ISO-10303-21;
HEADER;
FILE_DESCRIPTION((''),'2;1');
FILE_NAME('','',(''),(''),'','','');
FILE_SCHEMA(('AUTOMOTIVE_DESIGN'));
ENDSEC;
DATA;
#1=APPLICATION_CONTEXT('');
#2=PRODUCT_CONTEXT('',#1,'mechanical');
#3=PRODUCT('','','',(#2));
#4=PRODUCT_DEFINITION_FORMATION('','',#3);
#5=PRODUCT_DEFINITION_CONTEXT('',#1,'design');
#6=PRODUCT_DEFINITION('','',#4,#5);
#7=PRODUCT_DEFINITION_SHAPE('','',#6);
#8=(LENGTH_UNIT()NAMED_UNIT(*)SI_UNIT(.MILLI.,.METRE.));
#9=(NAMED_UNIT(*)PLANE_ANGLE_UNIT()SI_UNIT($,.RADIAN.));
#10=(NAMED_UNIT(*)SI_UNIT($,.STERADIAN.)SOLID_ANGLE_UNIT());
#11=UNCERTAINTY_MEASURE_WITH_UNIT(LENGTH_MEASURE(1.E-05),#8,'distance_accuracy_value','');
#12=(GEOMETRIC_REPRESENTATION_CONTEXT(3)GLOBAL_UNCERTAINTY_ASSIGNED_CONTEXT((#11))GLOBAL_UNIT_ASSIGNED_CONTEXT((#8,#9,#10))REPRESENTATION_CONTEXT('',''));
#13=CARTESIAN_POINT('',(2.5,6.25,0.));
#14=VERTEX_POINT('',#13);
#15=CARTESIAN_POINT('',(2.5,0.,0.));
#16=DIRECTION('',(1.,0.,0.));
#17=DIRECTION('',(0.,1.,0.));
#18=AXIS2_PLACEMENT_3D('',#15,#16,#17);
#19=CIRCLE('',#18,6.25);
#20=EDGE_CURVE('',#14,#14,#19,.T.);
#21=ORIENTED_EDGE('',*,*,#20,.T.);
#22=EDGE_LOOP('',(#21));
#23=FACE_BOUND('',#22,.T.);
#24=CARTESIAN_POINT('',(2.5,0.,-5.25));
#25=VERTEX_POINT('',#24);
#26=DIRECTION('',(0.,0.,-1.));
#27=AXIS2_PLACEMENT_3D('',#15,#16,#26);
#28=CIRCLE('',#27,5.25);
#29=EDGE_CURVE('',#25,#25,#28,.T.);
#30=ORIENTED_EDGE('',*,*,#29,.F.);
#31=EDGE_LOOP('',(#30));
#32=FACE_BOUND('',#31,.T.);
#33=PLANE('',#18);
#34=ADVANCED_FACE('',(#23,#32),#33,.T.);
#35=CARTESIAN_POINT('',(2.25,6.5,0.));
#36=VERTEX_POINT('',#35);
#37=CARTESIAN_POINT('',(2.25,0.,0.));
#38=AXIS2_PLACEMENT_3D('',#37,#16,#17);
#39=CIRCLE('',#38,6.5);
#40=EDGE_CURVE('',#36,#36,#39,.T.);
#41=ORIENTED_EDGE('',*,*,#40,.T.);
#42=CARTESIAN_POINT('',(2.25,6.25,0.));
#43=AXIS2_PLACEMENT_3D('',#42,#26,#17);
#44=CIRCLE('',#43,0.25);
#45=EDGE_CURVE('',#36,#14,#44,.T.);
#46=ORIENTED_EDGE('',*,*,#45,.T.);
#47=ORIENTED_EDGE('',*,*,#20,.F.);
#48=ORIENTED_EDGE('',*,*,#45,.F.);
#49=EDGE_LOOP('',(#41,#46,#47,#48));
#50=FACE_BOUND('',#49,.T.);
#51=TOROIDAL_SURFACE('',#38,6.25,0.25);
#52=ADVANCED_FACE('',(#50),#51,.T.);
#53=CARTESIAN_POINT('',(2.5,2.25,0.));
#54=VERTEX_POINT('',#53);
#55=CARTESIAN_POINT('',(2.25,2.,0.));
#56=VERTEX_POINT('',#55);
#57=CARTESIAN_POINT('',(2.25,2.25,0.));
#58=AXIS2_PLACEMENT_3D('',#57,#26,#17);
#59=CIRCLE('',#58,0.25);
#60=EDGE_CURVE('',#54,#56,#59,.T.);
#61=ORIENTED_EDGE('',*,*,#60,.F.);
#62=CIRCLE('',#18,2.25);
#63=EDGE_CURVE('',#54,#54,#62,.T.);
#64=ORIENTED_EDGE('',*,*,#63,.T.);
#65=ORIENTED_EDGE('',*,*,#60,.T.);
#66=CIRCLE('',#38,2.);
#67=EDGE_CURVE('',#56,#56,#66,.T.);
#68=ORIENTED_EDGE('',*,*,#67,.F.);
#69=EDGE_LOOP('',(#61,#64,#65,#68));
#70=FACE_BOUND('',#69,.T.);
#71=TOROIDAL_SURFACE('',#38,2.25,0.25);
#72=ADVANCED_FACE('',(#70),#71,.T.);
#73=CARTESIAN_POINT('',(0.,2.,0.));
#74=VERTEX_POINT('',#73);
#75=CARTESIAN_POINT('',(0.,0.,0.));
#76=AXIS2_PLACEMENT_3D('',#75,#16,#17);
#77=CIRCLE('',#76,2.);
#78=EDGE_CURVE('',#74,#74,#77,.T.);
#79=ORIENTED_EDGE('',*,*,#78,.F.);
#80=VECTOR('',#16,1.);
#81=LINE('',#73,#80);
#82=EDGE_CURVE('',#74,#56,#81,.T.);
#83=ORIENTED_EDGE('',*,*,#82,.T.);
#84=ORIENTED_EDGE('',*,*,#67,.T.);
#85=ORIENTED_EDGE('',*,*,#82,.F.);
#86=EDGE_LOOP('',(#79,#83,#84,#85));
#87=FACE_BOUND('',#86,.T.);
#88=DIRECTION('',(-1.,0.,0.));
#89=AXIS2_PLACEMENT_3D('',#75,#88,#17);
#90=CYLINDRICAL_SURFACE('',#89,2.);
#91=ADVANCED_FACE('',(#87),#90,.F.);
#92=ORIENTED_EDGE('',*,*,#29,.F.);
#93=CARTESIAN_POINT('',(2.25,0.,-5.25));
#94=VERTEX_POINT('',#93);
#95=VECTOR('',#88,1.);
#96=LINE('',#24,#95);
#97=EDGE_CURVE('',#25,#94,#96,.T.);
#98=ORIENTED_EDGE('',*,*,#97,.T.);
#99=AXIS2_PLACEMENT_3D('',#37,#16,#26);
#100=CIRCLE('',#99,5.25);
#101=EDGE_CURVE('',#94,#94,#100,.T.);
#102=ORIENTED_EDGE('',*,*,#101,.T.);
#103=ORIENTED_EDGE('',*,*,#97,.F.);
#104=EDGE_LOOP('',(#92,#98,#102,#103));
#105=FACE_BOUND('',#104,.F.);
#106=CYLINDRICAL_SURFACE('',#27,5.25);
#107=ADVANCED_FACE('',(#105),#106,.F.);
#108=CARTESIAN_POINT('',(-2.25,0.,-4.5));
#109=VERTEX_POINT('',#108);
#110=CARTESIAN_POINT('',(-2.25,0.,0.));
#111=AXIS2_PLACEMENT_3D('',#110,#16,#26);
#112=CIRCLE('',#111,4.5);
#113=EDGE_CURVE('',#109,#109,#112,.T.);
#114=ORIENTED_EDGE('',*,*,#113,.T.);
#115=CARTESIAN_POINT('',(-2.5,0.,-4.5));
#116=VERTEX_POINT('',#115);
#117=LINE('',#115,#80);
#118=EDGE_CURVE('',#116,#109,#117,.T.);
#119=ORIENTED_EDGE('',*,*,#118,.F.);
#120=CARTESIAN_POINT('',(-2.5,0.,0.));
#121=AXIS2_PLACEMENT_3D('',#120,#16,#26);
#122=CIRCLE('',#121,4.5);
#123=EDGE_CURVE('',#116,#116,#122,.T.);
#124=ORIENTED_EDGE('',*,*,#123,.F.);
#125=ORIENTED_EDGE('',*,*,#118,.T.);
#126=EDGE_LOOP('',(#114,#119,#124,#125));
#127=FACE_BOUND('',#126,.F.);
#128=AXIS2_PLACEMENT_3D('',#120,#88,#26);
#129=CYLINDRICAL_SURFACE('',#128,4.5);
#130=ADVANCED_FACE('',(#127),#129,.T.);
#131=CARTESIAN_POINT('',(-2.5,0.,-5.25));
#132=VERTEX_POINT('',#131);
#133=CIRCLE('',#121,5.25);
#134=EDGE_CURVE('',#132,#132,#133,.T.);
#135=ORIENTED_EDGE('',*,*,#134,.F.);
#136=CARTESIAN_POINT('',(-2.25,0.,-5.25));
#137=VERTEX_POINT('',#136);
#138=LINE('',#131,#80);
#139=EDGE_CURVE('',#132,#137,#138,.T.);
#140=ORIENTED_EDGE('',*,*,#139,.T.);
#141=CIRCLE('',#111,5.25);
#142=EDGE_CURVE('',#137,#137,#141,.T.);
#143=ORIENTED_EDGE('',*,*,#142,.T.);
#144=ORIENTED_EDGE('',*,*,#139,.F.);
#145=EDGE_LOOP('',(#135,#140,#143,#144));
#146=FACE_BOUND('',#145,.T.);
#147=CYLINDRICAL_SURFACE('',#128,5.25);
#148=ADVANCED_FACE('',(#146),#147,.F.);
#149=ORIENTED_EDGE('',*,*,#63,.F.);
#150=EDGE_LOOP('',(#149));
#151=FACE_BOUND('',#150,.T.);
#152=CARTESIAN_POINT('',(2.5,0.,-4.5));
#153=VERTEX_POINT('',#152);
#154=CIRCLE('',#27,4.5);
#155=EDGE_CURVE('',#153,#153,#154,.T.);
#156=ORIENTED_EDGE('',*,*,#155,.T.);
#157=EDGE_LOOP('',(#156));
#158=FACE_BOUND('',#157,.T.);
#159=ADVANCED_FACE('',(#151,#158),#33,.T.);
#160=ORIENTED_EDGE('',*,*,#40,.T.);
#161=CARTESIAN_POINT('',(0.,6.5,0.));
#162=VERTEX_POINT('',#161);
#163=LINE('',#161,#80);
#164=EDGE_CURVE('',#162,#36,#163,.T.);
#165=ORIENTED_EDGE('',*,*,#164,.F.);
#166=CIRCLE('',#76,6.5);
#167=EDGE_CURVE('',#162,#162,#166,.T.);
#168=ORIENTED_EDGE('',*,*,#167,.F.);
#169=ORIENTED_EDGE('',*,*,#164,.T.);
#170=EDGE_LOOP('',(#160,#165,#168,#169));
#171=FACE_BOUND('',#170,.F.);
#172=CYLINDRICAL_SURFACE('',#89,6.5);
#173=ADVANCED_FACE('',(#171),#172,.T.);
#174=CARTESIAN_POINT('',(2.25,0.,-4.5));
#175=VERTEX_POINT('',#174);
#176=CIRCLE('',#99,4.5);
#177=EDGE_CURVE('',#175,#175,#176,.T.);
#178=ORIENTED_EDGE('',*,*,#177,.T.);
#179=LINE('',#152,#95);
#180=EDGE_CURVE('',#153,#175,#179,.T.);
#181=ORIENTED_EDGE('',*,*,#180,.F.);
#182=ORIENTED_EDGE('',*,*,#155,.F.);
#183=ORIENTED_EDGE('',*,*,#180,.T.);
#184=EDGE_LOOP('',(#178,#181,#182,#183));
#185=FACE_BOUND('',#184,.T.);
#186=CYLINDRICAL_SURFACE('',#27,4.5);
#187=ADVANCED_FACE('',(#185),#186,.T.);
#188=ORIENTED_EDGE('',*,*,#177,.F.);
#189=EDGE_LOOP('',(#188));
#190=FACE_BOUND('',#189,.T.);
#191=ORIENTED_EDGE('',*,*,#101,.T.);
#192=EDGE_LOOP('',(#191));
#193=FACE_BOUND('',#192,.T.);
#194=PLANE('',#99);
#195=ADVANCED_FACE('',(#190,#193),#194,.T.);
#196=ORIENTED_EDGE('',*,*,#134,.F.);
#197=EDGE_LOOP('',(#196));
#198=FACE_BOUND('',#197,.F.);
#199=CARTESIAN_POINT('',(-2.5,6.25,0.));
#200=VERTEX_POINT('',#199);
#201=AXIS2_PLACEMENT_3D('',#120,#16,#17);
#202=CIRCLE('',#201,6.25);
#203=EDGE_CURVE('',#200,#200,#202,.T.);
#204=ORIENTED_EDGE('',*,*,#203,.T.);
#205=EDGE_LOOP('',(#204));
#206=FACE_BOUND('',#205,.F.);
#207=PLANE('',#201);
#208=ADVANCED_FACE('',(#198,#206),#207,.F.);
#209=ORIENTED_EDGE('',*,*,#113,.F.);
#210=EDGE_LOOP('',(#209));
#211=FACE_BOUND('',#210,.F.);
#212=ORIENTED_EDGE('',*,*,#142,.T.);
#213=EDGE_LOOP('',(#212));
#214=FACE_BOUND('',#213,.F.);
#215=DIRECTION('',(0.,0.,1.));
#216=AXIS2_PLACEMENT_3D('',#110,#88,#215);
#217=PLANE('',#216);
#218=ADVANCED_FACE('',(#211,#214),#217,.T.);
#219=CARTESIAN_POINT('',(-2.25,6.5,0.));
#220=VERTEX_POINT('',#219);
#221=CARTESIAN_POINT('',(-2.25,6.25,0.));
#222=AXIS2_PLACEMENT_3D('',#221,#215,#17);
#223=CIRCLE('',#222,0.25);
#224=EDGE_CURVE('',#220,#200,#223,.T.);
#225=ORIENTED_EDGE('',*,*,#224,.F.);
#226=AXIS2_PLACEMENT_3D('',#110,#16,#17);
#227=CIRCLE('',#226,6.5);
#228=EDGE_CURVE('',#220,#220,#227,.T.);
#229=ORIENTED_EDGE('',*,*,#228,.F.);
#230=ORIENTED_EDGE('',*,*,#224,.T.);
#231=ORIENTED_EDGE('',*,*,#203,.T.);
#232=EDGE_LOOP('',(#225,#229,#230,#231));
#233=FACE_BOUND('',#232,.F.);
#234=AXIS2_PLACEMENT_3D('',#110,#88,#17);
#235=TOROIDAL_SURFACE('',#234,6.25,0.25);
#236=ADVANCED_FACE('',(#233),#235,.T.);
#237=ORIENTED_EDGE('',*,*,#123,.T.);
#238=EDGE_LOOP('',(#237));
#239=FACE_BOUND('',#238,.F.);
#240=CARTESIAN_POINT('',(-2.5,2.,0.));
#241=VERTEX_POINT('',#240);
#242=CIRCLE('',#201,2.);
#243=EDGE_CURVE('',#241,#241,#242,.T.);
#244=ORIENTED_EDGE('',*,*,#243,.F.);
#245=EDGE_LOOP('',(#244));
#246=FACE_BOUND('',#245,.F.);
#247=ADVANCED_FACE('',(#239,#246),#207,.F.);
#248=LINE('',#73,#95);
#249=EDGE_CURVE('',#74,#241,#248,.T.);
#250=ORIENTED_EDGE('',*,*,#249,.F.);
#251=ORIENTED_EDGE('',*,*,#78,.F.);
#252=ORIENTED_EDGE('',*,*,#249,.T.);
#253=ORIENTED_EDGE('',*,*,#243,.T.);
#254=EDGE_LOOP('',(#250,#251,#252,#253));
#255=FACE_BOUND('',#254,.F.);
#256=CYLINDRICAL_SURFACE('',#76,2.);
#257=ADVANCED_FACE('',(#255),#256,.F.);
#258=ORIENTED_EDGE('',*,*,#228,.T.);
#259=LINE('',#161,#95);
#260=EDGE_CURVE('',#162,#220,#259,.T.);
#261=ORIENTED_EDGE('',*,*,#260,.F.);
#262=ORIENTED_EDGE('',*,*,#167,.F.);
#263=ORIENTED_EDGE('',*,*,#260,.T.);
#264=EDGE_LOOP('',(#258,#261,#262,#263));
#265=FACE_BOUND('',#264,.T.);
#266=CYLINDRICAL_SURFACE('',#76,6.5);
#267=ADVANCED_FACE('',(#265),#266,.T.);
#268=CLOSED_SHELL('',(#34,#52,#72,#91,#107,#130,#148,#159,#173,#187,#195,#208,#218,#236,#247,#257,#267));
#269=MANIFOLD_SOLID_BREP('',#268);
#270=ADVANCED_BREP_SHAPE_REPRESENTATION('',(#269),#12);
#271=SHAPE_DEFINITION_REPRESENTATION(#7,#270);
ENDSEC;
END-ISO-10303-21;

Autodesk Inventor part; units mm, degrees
ref_plane "YZ Plane" through (0, 0, 0) normal (1, 0, 0) x (0, 1, 0)
ref_plane "XZ Plane" through (0, 0, 0) normal (0, 1, 0) x (-1, 0, 0)
ref_plane "XY Plane" through (0, 0, 0) normal (0, 0, 1) x (1, 0, 0)
sketch "Sketch1" plane through (0, 0, 0) normal (1, 0, 0) x (0, 1, 0)
  circle A0 centre (0, 0) radius 6.5
  circle A1 centre (0, 0) radius 2
  dimension "d0" = 13
  dimension "d1" = 4
extrude "Extrusion1" add sketch "Sketch1" along normal mid plane 5
fillet "Fillet1" radius 0.25 2 edges at (2.5, -6.5, 0) (-2.5, -6.5, 0)
fillet "Fillet2" radius 0.25 1 edges at (2.5, -2, 0)
sketch "Sketch2" plane through (2.5, 0, 0) normal (1, 0, 0) x (0, 0, -1)
  circle A0 centre (0, 0) radius 5.25
  circle A1 centre (0, 0) radius 4.5
  dimension "d6" = 10.5
  dimension "d7" = 9
extrude "Extrusion2" cut sketch "Sketch2" against normal blind 0.25
mirror "Mirror1" about plane through (0, 0, 0) normal (1, 0, 0) of "Extrusion2"
properties part number "Bearing" material "Stainless Steel, Austenitic"
